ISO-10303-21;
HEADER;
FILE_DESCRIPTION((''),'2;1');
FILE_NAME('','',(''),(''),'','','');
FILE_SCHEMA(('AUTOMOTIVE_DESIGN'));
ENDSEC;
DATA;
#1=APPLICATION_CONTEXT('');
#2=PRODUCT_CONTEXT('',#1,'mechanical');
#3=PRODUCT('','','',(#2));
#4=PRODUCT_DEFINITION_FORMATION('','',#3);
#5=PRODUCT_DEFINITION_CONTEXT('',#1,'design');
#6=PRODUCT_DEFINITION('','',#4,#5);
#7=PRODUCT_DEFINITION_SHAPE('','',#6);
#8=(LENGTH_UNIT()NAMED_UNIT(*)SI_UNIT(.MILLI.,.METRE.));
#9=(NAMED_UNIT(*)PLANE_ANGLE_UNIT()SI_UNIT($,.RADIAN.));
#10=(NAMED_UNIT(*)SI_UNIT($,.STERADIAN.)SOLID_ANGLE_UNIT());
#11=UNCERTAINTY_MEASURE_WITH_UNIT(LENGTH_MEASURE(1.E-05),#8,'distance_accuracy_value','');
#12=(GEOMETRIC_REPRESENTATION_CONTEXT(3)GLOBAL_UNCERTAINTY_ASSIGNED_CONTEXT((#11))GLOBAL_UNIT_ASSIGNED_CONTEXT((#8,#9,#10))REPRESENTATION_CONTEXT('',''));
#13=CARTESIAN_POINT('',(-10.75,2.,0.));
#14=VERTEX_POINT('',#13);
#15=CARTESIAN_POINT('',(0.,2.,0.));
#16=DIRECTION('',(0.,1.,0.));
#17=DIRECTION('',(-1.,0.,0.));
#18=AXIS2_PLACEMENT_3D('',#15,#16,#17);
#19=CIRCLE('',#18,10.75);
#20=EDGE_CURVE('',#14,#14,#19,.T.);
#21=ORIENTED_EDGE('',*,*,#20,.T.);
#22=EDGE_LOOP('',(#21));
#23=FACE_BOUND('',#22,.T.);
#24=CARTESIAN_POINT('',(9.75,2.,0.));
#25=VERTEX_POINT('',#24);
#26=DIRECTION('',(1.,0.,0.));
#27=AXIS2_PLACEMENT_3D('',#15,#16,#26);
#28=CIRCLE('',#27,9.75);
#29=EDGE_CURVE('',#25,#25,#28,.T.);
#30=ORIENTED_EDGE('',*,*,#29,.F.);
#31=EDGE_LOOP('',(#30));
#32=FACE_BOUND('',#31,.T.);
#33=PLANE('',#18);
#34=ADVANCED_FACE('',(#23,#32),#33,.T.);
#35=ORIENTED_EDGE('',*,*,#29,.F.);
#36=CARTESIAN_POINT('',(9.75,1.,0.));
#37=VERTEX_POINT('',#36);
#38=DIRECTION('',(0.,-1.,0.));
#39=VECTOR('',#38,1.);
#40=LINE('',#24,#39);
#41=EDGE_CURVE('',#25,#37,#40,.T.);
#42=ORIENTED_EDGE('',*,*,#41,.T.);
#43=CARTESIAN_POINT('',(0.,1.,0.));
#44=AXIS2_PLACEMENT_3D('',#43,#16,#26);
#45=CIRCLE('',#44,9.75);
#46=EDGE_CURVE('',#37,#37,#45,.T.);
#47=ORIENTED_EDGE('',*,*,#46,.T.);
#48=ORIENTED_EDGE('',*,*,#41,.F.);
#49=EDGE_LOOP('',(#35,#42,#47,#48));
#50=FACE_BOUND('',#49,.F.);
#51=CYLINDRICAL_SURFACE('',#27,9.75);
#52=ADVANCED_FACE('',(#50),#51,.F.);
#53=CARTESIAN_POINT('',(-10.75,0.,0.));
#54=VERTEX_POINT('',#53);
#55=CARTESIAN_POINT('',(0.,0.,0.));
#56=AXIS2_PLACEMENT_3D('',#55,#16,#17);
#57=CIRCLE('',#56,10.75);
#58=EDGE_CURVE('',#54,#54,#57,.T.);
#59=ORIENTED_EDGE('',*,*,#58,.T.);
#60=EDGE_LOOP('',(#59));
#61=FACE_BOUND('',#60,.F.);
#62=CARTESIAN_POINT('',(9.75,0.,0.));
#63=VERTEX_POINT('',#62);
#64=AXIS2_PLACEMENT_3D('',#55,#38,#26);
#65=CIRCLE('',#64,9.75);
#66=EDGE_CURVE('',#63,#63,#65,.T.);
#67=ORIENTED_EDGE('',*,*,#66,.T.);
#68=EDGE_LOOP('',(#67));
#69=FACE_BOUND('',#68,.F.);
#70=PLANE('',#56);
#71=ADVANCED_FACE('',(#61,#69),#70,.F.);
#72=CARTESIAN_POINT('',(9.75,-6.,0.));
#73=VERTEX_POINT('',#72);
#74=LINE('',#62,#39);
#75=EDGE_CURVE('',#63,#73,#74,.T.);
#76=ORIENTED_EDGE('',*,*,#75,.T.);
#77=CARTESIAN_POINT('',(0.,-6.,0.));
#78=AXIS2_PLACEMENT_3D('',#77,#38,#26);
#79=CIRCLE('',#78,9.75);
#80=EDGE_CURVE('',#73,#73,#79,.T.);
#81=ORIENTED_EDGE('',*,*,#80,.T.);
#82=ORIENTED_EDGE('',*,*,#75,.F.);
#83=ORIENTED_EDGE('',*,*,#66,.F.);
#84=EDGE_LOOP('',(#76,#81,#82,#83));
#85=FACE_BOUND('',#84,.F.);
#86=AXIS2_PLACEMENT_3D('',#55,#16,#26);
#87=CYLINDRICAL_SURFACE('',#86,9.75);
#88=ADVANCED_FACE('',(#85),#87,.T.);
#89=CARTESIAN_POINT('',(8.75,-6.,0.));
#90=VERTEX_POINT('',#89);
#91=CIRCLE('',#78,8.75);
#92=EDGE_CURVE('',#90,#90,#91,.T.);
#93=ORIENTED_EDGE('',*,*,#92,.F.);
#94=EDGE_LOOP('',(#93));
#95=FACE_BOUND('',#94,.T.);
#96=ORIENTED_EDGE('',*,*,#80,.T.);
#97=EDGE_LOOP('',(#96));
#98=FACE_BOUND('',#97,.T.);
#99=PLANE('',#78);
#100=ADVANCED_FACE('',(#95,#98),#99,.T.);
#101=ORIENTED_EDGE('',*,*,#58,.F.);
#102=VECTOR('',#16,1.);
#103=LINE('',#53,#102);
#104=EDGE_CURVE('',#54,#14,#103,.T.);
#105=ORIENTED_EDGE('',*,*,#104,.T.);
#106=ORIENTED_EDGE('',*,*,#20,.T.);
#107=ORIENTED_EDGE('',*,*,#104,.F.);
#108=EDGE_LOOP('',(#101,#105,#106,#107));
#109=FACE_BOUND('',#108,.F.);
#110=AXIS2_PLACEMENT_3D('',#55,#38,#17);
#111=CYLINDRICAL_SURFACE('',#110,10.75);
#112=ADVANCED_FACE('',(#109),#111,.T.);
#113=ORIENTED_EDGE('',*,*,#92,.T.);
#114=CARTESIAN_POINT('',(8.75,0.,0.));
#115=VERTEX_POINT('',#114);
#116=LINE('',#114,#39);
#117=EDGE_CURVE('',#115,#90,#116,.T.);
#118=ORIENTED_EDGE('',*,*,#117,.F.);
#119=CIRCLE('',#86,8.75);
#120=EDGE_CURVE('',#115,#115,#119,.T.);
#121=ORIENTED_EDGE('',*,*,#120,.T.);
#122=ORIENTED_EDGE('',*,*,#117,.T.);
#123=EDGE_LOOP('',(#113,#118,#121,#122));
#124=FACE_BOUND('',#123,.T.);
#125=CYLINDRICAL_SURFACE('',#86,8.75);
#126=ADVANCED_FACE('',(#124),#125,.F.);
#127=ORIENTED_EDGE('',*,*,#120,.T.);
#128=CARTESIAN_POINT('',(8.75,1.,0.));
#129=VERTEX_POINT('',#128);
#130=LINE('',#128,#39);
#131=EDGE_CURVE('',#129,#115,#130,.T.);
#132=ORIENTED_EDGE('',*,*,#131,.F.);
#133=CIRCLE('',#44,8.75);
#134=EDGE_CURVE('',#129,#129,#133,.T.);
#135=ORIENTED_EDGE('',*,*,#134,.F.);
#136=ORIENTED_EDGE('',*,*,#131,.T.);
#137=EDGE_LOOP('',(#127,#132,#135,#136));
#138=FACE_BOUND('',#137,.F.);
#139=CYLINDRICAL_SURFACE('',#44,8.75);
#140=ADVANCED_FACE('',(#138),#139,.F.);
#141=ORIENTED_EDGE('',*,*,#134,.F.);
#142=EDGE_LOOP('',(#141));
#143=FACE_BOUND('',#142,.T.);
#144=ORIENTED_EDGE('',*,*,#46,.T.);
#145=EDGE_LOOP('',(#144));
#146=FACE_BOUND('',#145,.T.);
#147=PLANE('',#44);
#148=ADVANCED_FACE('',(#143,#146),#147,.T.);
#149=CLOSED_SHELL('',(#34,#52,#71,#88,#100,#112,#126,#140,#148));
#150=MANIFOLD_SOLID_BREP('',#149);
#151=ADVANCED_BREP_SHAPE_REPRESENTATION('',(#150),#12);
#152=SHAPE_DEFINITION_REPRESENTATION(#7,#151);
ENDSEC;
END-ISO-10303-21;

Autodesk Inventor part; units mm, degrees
ref_plane "YZ Plane" through (0, 0, 0) normal (1, 0, 0) x (0, 1, 0)
ref_plane "XZ Plane" through (0, 0, 0) normal (0, 1, 0) x (-1, 0, 0)
ref_plane "XY Plane" through (0, 0, 0) normal (0, 0, 1) x (1, 0, 0)
sketch "Sketch1" plane through (0, 0, 0) normal (0, 1, 0) x (-1, 0, 0)
  circle A0 centre (0, 0) radius 9.75
  circle A1 centre (0, 0) radius 10.75
  dimension "d0" = 19.5
  dimension "d1" = 21.5
extrude "Extrusion1" add sketch "Sketch1" along normal blind 2 contours A0 | A1
sketch "Sketch2" plane through (0, 2, 0) normal (0, 1, 0) x (1, 0, 0)
  circle A0 centre (0, 0) radius 9.75
  dimension "d4" = 19.5
extrude "Extrusion2" cut sketch "Sketch2" against normal blind 1
sketch "Sketch3" plane through (0, 1, 0) normal (0, 1, 0) x (1, 0, 0)
  circle A0 centre (0, 0) radius 8.75
  dimension "d7" = 17.5
extrude "Extrusion3" cut sketch "Sketch3" against normal blind 1
sketch "Sketch4" plane through (0, 0, 0) normal (0, -1, 0) x (1, 0, 0)
  circle A0 centre (0, 0) radius 8.75
  circle A1 centre (0, 0) radius 9.75
  dimension "d10" = 19.5
extrude "Extrusion4" add sketch "Sketch4" along normal blind 6
properties part number "685ZZFlanged_Adapter_2mm"
